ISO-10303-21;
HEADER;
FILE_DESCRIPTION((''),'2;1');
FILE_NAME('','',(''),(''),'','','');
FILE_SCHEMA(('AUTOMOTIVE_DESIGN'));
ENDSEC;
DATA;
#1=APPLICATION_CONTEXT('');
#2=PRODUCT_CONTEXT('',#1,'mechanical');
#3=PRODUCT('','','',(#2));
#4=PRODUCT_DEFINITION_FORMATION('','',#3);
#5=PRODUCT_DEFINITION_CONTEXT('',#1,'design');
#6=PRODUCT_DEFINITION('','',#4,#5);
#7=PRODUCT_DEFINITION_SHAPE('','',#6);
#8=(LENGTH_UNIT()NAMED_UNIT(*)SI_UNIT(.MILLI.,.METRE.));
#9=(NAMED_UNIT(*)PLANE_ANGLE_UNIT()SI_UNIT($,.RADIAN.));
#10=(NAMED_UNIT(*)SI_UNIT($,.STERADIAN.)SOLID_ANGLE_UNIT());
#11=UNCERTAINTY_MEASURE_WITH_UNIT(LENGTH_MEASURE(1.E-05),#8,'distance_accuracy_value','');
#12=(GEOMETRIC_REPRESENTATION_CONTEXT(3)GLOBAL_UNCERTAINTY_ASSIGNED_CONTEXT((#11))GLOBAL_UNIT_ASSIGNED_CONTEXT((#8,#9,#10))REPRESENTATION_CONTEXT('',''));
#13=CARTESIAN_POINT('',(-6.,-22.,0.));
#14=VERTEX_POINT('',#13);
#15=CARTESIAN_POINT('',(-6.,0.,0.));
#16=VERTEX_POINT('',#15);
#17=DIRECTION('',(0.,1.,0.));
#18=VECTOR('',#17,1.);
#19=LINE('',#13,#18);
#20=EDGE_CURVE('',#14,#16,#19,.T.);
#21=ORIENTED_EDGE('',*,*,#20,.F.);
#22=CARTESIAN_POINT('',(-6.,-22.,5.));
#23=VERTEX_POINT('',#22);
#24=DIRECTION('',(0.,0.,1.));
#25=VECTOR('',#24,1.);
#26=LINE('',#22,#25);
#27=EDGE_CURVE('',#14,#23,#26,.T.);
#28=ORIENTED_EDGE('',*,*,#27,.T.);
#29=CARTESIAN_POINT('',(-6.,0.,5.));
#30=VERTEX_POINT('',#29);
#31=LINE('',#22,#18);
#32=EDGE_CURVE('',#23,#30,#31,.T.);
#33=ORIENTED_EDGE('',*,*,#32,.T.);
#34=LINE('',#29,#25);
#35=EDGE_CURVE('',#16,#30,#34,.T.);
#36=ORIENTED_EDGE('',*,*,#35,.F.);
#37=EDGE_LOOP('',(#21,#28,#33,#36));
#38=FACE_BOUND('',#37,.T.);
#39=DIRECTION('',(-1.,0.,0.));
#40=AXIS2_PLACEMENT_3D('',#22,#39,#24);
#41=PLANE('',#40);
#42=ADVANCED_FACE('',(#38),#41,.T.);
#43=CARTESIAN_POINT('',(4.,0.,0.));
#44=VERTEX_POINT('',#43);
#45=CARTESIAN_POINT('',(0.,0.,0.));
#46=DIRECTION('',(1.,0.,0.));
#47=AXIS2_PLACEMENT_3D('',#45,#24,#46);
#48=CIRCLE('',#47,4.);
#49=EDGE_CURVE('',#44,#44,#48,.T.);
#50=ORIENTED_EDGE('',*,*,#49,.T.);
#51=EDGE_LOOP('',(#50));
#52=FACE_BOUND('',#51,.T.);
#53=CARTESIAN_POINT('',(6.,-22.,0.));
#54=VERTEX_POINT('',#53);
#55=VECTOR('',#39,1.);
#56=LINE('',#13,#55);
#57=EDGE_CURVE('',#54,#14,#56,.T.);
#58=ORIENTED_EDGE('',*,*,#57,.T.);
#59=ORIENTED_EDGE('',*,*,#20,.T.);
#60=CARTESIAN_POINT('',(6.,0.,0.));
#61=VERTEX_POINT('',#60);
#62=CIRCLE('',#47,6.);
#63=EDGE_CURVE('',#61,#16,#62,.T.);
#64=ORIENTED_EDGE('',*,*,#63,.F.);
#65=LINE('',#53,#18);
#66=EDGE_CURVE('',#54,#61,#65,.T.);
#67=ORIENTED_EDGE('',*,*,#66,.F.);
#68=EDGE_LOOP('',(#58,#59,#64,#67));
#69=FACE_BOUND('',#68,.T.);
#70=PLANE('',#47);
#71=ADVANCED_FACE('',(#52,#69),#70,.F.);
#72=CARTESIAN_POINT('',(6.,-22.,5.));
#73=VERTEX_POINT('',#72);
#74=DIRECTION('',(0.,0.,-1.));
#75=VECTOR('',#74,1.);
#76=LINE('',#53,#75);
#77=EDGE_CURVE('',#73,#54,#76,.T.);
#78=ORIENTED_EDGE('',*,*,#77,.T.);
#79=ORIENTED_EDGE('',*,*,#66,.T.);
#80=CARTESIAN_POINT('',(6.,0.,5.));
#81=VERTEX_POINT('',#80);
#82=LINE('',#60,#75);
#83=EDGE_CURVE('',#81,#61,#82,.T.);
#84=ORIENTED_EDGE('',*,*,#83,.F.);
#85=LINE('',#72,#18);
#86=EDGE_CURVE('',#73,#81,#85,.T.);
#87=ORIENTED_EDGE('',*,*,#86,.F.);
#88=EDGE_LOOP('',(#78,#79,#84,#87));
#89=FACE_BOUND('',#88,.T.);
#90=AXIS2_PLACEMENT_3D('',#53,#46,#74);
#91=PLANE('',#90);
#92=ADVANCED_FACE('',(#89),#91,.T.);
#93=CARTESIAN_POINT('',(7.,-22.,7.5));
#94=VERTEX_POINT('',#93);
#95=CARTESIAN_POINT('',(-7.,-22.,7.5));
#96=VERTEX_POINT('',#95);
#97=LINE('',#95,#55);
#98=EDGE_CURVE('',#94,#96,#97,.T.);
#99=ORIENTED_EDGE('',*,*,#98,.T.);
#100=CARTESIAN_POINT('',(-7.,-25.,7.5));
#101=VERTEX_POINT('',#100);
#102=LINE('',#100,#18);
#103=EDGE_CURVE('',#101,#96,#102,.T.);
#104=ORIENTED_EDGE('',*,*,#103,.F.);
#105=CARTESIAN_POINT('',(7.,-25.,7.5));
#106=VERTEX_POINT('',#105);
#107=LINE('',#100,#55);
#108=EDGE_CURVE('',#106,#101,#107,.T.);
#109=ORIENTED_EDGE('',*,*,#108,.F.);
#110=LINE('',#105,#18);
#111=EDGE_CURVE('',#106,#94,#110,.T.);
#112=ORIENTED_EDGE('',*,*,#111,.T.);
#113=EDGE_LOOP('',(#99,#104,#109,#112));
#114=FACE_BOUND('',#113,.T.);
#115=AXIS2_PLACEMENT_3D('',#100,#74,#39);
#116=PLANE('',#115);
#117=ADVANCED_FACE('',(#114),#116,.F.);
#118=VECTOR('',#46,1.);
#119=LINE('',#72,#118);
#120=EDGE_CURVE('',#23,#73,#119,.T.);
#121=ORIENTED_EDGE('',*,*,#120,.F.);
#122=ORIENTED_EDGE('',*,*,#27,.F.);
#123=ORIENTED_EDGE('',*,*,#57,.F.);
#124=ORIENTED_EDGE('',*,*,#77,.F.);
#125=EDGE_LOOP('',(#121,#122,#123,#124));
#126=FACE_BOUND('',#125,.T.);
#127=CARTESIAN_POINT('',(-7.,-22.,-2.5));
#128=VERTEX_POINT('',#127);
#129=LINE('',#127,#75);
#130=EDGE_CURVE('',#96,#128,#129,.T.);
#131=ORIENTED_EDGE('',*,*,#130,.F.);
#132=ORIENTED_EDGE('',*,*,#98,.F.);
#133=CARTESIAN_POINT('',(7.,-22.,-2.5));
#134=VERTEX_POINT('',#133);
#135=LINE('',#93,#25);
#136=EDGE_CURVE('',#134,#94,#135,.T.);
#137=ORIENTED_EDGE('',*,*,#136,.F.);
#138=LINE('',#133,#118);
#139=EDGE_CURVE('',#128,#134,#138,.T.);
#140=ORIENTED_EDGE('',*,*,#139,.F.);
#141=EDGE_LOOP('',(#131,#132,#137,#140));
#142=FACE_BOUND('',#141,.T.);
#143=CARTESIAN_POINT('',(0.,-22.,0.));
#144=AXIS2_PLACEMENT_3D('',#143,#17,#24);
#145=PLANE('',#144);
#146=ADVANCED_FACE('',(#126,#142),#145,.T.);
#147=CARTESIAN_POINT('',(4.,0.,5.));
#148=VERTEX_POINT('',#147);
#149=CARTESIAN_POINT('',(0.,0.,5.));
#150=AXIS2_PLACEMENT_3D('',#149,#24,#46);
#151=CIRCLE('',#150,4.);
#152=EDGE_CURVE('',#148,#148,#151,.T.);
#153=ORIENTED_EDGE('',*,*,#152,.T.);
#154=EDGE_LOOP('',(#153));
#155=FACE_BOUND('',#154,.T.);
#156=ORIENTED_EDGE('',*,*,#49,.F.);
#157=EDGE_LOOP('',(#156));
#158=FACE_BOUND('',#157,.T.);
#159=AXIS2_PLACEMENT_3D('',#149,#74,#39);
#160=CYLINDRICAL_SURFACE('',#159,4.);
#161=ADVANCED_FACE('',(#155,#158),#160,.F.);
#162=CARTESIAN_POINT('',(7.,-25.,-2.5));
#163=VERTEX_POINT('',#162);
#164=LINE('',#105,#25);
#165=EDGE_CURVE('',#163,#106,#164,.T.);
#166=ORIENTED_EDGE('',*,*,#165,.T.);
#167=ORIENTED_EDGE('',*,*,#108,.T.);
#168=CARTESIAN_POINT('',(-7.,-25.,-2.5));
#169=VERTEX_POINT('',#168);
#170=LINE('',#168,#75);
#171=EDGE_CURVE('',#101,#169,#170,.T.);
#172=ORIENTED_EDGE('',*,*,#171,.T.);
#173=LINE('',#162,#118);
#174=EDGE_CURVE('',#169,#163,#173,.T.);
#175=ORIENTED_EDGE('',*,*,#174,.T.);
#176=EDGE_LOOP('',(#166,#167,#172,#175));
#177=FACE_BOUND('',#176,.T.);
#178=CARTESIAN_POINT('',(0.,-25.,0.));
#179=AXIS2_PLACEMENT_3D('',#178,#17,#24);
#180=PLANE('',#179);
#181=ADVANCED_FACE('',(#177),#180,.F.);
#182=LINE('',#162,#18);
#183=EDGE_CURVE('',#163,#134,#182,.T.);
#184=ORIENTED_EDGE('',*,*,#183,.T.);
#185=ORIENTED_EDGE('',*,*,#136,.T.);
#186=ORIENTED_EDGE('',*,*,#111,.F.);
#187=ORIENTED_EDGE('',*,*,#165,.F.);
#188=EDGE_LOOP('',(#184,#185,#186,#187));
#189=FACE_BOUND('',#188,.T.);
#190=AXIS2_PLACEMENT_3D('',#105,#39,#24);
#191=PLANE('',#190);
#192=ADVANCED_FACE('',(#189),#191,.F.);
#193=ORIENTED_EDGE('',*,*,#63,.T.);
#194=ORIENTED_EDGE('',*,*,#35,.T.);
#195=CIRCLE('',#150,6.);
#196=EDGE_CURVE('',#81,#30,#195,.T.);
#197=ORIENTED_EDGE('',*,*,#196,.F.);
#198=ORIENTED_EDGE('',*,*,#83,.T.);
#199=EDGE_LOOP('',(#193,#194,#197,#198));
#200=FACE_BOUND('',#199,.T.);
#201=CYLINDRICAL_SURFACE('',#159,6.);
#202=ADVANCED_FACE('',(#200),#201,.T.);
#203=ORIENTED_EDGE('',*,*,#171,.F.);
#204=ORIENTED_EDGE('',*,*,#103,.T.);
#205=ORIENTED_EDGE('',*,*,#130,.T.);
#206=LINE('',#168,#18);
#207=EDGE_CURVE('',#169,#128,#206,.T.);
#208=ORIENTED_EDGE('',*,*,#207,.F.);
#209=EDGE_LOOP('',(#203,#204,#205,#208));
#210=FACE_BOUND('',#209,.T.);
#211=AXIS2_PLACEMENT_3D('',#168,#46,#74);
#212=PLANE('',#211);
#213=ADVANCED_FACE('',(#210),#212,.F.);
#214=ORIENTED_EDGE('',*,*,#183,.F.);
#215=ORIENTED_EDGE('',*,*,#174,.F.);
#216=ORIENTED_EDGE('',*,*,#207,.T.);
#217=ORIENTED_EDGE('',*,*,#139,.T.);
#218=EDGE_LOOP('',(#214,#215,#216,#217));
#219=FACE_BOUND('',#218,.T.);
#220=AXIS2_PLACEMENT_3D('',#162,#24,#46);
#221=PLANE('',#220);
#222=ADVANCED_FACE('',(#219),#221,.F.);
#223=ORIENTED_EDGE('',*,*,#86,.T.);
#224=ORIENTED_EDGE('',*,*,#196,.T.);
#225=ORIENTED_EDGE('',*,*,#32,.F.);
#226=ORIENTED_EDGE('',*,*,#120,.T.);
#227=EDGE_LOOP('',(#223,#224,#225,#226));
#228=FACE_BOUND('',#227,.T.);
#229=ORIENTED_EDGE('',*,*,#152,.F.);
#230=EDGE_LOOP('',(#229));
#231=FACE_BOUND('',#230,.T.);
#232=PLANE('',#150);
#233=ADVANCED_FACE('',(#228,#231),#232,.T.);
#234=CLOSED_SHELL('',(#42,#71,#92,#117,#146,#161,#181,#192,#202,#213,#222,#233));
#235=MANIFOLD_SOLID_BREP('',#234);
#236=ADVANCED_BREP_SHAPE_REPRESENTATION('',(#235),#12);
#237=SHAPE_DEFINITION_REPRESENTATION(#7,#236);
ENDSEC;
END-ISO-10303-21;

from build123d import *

# Parameters (mm, degrees)
SKETCH1_R               = 6
SKETCH1_R_2             = 4
BOSS_EXTRUDE1_DEPTH     = 5
SKETCH2_W               = 12
SKETCH2_H               = 5
BOSS_EXTRUDE2_DEPTH     = 22
CUT_EXTRUDE1_DEPTH      = 24.34523506
CUT_EXTRUDE1_DEPTH_BACK = 24.34523506
SKETCH5_R               = 4
SKETCH6_W               = 14
SKETCH6_H               = 10
BOSS_EXTRUDE3_DEPTH     = 3


with BuildPart() as part:
    # Sketch1 → Boss-Extrude1 (new body)
    with BuildSketch(Plane.XY):
        Circle(SKETCH1_R)
        Circle(SKETCH1_R_2, mode=Mode.SUBTRACT)
    extrude(amount=BOSS_EXTRUDE1_DEPTH)

    # Sketch2 → Boss-Extrude2 (add)
    with BuildSketch(Plane(origin=(0, 0, 0), x_dir=(1, 0, 0), z_dir=(0, 1, 0))):
        with Locations((0, -2.5)):
            Rectangle(SKETCH2_W, SKETCH2_H)
    extrude(amount=-BOSS_EXTRUDE2_DEPTH)

    # Sketch5 → Cut-Extrude1 (cut, two sides: drawn at the far end of the back side and taken through both)
    with BuildSketch(Plane.XY.offset(5).offset(-CUT_EXTRUDE1_DEPTH_BACK)):
        Circle(SKETCH5_R)
    extrude(amount=CUT_EXTRUDE1_DEPTH + CUT_EXTRUDE1_DEPTH_BACK, mode=Mode.SUBTRACT)

    # Sketch6 → Boss-Extrude3 (add)
    with BuildSketch(Plane.XZ.offset(22)):
        with Locations((0, 2.5)):
            Rectangle(SKETCH6_W, SKETCH6_H)
    extrude(amount=BOSS_EXTRUDE3_DEPTH)


solid = part.part
